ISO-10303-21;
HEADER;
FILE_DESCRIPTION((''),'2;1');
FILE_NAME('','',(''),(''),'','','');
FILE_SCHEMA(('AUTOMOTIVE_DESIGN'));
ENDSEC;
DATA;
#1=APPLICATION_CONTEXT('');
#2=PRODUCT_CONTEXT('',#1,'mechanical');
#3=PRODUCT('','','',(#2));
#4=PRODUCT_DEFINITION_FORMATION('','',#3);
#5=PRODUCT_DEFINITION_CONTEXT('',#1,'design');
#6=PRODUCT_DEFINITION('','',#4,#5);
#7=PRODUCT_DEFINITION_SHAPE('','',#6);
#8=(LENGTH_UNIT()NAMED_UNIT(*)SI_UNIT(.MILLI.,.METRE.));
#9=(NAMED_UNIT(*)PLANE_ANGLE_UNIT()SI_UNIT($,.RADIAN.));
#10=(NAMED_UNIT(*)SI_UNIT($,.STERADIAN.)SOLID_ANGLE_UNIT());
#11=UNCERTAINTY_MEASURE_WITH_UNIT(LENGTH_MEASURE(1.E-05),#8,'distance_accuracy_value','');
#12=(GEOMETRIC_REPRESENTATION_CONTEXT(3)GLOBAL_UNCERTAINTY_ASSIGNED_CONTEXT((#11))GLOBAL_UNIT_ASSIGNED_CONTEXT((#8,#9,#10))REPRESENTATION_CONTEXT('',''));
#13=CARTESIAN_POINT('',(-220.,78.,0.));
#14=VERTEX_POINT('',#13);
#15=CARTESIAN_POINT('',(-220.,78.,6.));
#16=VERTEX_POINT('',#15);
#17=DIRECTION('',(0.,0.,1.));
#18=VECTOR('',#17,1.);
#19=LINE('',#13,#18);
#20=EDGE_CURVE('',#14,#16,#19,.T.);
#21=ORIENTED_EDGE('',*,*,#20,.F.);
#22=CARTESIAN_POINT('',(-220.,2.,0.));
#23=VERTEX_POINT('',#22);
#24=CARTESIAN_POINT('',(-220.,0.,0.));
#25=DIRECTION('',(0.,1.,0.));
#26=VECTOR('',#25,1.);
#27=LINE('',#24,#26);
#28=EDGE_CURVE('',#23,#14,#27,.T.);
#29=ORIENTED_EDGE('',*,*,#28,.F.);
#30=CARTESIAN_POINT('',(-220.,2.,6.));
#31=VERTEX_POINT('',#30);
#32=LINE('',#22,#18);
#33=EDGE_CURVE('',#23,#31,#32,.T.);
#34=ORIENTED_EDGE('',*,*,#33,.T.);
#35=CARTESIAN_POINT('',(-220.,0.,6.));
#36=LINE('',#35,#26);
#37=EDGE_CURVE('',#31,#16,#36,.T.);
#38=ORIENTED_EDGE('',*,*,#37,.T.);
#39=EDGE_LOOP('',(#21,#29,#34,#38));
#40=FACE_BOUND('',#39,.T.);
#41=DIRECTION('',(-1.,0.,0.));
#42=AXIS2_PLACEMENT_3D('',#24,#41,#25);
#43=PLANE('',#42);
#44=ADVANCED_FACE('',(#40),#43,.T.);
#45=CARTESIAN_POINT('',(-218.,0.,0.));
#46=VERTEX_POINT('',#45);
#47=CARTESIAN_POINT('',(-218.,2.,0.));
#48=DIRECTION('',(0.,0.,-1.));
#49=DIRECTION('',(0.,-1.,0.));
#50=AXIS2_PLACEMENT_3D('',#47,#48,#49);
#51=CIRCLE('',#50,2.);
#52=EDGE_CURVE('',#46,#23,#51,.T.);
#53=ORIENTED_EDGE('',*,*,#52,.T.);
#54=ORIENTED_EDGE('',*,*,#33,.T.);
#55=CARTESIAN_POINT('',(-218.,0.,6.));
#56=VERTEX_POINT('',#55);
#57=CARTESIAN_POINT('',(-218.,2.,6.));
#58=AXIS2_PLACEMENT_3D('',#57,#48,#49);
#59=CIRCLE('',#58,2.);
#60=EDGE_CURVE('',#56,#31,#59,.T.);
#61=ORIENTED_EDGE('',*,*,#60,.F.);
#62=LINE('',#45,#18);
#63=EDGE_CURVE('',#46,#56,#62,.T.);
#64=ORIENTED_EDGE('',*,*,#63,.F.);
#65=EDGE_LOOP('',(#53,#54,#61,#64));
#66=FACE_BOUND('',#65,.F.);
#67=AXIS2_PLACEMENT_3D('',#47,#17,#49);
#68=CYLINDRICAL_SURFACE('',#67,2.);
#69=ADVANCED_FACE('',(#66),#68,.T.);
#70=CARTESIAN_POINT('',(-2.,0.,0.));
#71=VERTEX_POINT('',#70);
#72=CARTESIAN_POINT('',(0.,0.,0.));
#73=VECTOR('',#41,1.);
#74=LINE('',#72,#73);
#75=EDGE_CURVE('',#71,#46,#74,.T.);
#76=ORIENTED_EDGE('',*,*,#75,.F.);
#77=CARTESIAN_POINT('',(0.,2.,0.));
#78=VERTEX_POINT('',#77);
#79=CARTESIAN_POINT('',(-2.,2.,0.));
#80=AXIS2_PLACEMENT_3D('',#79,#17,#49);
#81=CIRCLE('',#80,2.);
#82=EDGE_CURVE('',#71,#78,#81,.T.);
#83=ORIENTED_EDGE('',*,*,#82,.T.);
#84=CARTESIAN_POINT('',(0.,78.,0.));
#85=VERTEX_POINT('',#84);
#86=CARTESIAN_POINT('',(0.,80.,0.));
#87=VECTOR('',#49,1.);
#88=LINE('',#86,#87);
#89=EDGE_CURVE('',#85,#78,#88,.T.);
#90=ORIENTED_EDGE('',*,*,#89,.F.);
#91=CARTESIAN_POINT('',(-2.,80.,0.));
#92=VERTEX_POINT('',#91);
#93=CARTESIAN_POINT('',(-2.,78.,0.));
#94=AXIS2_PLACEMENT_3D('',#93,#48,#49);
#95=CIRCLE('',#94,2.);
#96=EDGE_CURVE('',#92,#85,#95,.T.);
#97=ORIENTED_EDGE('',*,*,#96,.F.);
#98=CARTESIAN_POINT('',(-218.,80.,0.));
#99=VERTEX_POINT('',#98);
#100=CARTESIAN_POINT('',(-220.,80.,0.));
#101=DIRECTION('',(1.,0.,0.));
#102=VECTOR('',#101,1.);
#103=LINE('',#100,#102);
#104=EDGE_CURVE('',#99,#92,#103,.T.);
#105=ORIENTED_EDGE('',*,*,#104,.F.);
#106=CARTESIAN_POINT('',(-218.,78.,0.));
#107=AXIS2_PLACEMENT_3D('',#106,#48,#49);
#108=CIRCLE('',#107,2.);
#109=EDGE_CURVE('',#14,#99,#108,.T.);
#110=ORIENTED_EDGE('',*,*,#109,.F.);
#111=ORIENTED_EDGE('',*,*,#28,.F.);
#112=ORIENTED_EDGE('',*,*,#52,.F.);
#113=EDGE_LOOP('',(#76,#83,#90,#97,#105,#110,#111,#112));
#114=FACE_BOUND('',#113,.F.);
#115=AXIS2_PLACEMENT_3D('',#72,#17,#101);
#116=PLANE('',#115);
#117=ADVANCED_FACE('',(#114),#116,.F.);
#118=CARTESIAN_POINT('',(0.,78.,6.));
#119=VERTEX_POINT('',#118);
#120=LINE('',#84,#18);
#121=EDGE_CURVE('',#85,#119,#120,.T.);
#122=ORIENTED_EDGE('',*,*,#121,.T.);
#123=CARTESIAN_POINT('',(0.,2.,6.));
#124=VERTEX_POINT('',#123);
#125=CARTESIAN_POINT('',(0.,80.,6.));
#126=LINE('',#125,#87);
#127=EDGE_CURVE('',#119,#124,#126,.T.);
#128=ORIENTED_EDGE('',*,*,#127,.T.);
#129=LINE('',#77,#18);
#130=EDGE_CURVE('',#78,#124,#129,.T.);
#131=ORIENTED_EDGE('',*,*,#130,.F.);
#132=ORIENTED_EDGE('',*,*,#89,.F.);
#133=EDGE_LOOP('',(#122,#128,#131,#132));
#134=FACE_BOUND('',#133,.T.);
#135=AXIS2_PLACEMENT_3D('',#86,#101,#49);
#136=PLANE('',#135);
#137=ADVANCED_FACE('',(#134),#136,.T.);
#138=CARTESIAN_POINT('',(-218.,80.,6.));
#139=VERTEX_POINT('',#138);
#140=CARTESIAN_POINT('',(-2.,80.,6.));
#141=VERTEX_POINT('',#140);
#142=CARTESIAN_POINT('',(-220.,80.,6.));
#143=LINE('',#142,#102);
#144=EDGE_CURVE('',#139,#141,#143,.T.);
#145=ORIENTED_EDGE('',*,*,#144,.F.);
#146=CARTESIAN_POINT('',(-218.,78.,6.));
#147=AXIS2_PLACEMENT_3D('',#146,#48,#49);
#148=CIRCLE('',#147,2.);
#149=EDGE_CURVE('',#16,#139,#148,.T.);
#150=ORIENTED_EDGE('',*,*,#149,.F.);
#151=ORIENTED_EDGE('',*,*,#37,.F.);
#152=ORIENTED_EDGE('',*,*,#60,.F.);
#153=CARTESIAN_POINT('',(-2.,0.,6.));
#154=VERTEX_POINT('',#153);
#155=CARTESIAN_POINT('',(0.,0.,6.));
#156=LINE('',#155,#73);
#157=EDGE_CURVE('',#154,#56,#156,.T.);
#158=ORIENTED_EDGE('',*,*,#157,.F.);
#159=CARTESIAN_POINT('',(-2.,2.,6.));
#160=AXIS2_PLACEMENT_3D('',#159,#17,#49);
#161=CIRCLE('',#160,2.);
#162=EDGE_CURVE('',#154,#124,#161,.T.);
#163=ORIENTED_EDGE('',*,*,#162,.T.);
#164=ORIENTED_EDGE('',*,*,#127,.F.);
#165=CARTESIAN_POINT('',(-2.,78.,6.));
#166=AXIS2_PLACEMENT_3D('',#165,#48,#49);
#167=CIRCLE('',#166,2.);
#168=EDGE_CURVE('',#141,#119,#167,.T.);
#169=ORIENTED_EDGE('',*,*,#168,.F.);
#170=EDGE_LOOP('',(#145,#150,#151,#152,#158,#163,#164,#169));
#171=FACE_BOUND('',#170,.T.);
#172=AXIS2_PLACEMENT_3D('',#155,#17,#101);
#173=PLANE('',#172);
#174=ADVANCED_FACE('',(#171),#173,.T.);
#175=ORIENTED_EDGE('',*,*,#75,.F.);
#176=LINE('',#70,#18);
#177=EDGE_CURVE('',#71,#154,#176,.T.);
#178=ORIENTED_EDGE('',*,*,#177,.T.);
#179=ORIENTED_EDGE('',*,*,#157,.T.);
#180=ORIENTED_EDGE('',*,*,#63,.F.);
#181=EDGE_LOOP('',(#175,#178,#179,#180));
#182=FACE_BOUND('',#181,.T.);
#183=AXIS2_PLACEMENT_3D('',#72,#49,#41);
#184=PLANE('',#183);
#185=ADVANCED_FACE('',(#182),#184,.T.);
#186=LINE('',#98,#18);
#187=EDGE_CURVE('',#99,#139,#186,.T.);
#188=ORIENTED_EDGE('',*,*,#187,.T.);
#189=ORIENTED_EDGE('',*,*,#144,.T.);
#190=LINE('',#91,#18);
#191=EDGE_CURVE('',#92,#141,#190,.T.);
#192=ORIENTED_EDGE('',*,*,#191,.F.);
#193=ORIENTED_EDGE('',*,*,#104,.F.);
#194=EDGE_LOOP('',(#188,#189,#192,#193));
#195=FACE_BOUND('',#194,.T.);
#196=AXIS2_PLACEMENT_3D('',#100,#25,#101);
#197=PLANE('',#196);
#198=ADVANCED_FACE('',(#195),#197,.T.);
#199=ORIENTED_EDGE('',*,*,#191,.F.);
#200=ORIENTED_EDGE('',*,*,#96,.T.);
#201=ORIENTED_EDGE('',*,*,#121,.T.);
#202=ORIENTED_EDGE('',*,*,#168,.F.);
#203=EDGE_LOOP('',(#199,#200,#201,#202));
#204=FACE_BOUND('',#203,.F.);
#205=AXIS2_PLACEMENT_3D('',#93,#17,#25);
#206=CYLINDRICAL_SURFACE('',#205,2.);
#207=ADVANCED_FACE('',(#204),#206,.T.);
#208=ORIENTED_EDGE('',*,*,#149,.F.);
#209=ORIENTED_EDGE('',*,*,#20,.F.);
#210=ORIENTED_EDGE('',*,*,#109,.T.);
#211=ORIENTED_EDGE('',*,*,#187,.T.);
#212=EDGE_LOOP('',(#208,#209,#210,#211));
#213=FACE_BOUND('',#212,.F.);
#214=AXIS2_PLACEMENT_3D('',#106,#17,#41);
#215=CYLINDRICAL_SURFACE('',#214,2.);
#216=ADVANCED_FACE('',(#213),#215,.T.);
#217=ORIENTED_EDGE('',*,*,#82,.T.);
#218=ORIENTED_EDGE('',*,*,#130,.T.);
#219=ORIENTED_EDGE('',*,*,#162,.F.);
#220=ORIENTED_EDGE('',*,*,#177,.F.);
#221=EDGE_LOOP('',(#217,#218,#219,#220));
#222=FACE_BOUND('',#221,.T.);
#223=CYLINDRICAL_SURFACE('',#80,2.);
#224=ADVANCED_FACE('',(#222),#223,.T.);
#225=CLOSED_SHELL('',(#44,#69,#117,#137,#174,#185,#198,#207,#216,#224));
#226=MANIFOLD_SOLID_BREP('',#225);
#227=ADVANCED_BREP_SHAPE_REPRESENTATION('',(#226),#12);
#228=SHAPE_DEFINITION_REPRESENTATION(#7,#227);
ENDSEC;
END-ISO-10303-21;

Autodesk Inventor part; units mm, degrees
ref_plane "YZ Plane" through (0, 0, 0) normal (1, 0, 0) x (0, 1, 0)
sketch "Skizze3" plane through (0, 0, 0) normal (0, 0, 1) x (1, 0, 0)
  line L0 (0, 0) -> (-220, 0)
  line L1 (-220, 0) -> (-220, 80)
  line L2 (-220, 80) -> (0, 80)
  line L3 (0, 80) -> (0, 0)
  line L4 (-60, 11.8952) -> (-60, -14.2347) construction
  line L5 (-11.7549, 40) -> (14.0889, 40) construction
  point P0 (-60, 8)
  point P1 (-8, 40)
  point P2 (0, 40)
  dimension "d4" = 80
  dimension "d5" = 220
  dimension "d27" = 60
  dimension "d28" = 8
  dimension "d29" = 8
extrude "Extrusion3" add sketch "Skizze3" along normal blind 6
ref_plane "Arbeitsebene1" through (-110, 80, 6) normal (-1, 0, 0) x (0, -1, 0)
ref_plane "Arbeitsebene2" through (-220, 40, 6) normal (0, -1, 0) x (1, 0, 0)
fillet "Rundung2" radius 2 4 edges at (0, 0, 3) (0, 80, 3) (-220, 80, 3) (-220, 0, 3)
properties part number "BT005_trajan20_21" material "Acryl"
